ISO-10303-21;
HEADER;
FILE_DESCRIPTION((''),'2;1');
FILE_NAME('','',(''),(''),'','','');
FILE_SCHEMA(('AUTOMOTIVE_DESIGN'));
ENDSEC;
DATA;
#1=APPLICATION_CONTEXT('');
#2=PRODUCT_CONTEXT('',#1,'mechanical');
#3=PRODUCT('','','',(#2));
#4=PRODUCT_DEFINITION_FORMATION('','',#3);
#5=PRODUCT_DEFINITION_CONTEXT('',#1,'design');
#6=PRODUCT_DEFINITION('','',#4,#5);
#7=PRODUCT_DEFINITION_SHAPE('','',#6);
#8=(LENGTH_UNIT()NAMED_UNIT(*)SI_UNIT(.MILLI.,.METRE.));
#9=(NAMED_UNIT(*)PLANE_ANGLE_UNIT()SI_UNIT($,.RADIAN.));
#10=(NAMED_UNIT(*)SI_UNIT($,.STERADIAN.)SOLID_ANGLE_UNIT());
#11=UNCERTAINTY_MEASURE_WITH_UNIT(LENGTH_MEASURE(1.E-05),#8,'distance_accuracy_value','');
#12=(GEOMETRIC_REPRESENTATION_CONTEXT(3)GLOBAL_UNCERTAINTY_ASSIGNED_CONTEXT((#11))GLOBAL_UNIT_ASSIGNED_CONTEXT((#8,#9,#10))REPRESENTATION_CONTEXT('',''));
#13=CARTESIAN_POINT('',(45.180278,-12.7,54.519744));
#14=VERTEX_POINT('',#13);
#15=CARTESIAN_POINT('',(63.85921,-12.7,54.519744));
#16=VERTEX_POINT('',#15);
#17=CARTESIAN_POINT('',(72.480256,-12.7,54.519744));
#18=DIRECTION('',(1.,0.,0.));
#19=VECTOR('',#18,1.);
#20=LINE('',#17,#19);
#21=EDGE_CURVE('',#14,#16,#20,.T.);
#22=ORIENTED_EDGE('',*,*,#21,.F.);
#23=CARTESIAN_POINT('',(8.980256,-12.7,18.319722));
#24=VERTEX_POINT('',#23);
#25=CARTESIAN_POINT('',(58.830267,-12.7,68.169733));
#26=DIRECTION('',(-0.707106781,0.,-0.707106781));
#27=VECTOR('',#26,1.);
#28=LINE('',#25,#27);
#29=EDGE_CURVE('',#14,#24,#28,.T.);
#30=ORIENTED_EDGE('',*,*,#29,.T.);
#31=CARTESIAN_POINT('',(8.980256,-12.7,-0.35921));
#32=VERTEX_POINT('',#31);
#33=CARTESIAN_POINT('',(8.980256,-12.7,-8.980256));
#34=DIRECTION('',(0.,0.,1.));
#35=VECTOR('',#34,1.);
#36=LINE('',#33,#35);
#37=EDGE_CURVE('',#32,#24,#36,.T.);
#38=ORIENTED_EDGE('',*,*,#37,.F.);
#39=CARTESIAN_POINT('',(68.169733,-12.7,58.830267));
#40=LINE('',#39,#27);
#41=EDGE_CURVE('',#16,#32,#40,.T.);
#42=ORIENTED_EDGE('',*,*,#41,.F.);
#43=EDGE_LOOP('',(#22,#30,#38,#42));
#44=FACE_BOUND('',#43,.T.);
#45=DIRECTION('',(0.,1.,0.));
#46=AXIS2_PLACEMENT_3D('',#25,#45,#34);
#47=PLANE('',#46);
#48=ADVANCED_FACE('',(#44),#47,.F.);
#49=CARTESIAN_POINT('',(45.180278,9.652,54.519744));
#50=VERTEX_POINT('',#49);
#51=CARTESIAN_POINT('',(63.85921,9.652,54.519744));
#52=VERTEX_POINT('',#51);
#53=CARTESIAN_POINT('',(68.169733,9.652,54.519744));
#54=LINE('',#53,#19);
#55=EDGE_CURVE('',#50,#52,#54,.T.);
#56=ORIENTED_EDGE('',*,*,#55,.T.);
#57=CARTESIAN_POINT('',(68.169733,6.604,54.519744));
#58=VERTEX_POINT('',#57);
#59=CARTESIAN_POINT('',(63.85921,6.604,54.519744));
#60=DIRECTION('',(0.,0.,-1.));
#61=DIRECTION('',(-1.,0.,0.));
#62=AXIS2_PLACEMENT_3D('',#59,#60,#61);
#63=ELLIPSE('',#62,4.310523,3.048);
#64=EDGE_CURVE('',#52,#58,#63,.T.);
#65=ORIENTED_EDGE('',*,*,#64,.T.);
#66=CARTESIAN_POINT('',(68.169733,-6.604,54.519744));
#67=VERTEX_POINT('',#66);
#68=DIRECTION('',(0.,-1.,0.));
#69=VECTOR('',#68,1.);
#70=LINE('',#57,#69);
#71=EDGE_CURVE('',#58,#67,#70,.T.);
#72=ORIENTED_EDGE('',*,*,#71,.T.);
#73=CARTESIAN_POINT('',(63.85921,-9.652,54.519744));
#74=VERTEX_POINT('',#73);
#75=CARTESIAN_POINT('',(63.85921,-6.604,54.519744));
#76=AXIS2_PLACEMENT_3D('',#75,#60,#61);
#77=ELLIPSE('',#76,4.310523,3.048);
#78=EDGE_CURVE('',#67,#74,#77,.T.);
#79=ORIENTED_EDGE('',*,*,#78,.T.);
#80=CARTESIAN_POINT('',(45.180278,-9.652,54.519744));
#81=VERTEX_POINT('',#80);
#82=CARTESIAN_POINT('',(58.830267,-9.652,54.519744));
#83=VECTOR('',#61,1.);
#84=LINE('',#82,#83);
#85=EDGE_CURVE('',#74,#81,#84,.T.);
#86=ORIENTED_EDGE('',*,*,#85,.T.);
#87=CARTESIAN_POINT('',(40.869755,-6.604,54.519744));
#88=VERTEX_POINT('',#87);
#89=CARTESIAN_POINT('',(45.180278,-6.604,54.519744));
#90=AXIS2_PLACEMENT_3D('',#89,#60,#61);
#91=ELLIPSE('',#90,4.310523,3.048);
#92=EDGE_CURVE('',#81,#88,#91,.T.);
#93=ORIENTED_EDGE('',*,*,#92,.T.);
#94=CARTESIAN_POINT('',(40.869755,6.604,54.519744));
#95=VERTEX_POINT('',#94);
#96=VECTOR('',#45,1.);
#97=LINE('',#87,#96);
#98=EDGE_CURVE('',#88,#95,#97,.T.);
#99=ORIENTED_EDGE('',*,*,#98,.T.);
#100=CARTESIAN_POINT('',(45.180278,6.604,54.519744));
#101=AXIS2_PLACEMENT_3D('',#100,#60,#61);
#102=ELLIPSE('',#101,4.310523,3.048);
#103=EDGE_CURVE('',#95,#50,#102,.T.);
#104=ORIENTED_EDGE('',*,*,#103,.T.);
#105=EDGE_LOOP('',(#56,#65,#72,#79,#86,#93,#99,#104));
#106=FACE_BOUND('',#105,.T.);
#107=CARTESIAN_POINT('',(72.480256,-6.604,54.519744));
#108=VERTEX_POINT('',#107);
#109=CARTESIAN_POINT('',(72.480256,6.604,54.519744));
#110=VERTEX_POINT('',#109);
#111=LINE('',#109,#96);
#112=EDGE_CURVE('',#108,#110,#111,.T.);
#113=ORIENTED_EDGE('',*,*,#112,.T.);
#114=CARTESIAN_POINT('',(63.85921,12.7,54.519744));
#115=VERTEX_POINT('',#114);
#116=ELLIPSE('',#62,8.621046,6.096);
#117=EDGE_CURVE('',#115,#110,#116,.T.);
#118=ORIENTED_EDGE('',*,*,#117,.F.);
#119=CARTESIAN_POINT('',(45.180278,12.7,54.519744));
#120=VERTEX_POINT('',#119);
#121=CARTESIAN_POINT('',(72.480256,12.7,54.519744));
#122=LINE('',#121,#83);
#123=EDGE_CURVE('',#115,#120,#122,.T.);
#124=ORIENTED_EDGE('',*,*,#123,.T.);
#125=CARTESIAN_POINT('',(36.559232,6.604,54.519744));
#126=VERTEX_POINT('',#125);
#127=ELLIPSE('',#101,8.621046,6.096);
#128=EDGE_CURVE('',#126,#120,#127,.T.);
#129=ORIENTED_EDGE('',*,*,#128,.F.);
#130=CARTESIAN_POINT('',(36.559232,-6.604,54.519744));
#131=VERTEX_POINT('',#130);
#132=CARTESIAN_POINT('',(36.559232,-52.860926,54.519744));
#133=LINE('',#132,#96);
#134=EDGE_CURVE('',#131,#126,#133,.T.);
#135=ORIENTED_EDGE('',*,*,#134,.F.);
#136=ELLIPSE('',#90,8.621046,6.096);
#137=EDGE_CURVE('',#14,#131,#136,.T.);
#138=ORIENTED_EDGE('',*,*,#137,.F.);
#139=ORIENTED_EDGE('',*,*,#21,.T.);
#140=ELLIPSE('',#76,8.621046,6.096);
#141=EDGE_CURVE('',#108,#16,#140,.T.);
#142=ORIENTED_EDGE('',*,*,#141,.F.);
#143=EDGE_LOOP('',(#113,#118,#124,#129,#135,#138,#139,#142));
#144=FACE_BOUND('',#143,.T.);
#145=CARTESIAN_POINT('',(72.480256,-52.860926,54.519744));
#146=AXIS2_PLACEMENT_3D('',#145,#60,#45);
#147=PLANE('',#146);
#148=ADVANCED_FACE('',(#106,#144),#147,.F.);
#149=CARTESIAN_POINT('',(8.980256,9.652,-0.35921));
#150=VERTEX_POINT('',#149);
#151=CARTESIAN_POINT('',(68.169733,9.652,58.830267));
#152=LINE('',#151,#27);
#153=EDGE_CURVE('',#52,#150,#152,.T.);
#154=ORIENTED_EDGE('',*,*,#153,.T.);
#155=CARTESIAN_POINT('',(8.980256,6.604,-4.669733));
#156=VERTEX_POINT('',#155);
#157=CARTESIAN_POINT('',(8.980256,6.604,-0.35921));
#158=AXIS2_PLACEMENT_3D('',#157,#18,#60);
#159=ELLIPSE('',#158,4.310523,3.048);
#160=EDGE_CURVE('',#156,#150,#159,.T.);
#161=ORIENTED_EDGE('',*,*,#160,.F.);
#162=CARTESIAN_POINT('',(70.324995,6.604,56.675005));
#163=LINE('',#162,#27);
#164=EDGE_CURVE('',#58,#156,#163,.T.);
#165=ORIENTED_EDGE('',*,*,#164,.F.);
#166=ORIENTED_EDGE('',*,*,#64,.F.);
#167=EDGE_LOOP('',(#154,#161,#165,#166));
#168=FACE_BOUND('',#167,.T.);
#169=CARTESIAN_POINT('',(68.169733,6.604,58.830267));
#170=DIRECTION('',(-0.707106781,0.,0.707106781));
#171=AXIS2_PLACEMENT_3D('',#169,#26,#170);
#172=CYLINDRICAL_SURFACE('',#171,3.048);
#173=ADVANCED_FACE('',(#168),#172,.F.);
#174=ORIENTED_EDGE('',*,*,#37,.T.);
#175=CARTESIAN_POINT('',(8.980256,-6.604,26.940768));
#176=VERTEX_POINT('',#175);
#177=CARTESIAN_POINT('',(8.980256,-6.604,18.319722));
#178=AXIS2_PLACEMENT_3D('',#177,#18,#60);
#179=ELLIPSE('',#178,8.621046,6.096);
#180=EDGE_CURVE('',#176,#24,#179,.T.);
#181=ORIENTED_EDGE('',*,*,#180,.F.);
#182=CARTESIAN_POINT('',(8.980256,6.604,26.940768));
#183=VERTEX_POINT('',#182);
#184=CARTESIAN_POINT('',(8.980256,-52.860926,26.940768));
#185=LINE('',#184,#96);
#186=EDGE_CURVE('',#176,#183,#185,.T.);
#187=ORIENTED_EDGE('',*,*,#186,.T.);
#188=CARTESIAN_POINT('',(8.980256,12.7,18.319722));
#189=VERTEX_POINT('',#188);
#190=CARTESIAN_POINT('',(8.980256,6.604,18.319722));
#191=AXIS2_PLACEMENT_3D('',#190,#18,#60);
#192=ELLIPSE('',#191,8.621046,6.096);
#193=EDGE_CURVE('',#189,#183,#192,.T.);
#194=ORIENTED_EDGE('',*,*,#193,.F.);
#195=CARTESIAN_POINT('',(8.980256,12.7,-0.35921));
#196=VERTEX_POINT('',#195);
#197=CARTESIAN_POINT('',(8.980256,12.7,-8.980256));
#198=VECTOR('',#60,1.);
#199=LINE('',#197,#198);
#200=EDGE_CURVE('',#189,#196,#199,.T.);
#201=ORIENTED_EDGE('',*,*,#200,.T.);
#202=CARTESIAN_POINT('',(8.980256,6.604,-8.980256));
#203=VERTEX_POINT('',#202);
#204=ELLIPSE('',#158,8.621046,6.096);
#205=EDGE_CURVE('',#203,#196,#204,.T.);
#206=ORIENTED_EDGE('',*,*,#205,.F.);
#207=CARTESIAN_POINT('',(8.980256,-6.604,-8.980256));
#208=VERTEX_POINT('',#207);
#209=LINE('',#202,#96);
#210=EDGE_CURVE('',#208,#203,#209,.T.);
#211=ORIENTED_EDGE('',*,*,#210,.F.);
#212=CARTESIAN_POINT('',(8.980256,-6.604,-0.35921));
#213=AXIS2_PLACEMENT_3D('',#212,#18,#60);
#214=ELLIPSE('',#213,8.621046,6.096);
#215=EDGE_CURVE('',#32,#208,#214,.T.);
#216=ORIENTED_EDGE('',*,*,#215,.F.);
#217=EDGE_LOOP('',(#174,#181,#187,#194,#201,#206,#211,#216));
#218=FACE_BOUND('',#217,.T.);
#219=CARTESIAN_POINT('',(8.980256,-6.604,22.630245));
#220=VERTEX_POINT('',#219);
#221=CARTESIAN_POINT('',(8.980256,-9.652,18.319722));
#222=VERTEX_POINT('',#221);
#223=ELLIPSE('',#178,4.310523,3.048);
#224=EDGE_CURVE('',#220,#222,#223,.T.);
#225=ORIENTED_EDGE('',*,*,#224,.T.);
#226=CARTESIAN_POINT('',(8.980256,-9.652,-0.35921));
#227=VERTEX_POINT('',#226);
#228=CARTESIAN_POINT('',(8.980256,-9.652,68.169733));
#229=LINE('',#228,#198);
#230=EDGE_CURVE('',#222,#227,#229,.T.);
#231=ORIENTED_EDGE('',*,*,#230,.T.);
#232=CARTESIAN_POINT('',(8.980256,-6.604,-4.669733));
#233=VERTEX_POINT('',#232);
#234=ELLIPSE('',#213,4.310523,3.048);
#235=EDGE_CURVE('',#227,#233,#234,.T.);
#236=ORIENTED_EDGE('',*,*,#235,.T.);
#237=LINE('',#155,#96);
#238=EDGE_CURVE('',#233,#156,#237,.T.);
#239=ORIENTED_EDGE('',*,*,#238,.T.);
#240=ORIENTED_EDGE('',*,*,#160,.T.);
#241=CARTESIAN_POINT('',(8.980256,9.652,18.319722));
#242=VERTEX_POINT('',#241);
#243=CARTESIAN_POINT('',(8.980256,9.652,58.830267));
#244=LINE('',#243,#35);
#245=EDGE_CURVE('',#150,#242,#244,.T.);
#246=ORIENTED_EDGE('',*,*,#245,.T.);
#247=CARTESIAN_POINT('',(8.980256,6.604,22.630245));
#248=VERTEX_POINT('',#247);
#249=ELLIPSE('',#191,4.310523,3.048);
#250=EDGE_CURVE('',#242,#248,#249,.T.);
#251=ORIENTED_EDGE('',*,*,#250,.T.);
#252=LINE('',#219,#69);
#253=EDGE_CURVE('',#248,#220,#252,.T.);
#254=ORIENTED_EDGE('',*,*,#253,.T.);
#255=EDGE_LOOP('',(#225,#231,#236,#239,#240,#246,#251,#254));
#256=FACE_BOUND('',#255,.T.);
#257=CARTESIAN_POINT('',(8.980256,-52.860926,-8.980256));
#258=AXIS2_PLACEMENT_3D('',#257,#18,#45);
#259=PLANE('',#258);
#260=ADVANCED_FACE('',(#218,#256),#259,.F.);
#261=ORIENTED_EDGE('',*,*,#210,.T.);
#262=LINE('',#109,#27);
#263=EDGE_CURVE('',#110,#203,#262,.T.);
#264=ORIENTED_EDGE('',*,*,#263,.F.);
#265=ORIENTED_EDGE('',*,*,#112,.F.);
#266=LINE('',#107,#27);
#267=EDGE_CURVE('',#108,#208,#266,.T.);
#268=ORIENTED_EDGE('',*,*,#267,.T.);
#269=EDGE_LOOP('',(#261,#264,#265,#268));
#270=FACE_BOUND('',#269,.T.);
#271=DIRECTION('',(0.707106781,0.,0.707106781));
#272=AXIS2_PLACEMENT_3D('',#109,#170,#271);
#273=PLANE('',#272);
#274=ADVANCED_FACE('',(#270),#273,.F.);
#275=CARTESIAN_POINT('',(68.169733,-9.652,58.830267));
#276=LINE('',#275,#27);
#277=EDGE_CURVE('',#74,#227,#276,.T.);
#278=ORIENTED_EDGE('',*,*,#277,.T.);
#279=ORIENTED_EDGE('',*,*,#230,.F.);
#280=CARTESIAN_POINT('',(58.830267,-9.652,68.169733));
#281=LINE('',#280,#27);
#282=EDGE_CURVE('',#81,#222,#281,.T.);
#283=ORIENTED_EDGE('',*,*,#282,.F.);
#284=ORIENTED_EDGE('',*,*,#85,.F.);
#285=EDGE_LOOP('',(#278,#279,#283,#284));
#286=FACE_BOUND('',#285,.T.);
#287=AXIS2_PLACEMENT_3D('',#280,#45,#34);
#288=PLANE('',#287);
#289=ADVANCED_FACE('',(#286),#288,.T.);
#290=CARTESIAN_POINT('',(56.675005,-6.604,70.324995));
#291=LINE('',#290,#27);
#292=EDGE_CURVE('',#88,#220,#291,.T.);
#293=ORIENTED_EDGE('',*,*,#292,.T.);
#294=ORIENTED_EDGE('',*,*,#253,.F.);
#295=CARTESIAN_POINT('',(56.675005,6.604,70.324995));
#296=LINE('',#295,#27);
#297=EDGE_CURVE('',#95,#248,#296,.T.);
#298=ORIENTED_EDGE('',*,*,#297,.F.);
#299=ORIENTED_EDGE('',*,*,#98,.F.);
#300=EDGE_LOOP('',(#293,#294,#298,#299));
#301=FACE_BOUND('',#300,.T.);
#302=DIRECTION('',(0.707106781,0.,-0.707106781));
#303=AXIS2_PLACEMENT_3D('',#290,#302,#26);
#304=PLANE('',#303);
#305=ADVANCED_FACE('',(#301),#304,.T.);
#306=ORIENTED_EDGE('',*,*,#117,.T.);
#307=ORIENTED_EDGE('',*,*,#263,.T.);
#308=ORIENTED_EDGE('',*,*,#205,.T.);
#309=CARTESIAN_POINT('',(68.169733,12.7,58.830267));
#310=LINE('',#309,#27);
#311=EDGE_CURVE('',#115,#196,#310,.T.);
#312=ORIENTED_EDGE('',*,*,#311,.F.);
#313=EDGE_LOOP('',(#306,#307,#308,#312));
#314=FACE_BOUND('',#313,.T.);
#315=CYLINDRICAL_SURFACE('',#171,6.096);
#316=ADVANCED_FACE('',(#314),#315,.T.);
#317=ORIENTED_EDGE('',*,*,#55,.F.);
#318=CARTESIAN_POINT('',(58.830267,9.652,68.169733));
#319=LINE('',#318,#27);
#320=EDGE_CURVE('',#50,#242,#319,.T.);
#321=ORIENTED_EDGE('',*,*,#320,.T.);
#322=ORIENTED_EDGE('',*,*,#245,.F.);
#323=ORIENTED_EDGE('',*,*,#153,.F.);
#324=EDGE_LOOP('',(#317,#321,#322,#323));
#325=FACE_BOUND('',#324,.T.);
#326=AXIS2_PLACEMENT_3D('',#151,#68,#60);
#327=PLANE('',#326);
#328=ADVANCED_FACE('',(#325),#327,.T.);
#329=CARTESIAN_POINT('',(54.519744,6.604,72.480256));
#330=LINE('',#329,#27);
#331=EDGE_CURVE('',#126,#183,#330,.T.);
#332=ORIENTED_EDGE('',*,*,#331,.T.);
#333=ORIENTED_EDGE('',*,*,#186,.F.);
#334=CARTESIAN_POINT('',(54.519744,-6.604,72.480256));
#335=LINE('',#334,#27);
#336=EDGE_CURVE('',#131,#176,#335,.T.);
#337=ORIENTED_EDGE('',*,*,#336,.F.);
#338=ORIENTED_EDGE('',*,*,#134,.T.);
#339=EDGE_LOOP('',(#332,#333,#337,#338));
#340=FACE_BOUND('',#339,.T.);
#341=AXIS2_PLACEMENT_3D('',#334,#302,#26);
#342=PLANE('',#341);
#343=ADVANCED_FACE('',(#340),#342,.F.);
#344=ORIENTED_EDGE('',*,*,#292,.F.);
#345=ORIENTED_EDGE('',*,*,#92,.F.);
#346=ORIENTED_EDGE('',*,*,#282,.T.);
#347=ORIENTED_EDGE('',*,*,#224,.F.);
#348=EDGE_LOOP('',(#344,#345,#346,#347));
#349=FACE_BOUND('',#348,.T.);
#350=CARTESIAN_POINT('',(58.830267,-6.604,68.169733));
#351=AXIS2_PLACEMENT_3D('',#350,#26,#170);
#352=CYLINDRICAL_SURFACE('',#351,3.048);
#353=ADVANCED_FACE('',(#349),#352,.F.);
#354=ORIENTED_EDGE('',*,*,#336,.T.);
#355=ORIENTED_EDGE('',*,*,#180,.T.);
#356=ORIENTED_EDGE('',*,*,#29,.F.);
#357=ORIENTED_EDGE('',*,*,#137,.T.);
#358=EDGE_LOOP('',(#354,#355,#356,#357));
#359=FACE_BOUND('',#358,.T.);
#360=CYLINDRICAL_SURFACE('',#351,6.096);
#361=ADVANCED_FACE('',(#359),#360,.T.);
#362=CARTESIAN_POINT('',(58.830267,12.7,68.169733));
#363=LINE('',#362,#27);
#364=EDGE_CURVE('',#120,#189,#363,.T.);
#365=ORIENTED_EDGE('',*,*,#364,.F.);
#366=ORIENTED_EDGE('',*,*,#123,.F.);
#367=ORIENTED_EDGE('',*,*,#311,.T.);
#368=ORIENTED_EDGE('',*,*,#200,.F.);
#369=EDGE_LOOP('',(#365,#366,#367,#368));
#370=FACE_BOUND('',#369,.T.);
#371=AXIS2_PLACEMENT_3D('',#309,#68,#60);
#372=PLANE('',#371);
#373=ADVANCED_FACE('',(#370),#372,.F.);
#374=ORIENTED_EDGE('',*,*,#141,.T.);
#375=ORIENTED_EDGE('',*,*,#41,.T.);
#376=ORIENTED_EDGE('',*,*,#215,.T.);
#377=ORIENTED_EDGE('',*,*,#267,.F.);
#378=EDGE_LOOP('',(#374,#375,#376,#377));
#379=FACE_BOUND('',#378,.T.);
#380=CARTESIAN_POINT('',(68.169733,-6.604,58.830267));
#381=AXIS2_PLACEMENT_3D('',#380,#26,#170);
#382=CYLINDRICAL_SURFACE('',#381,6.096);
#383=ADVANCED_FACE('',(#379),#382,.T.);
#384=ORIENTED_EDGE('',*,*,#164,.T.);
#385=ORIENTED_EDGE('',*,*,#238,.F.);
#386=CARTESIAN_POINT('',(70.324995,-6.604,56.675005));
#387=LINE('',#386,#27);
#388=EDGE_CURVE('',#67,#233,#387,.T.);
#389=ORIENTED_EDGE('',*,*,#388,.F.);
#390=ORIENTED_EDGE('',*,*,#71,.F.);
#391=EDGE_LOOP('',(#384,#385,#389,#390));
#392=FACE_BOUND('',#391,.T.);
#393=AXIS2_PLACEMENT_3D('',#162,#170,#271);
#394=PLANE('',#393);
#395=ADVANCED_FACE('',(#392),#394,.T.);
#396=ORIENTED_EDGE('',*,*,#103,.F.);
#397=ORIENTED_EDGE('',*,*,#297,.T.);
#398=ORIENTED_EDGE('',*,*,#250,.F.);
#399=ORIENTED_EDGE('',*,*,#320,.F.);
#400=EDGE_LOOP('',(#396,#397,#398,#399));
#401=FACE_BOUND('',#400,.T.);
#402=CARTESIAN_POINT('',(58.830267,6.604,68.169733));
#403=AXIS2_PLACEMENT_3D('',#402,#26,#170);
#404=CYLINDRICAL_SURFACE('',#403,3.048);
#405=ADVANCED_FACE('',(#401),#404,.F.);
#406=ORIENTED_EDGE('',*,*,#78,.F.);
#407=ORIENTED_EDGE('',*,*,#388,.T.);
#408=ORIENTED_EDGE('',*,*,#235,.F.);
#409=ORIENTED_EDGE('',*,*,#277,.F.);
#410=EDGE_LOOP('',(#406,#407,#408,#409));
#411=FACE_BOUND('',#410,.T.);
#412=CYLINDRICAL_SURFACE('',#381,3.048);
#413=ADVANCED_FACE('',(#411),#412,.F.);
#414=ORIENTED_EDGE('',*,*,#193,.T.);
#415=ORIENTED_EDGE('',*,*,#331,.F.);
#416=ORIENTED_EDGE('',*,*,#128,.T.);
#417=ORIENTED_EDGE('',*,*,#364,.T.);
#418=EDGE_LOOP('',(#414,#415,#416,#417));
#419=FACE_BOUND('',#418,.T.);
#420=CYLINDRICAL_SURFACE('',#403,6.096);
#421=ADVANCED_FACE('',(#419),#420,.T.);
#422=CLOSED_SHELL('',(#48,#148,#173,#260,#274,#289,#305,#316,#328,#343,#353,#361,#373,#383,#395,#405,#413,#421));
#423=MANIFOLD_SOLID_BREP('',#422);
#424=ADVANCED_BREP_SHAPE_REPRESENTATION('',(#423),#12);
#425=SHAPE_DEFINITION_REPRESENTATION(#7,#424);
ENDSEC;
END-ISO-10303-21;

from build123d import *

# Parameters (mm, degrees)
SQ_RECT_TUBING_WELDMENT_PROFILES_SQ_TUBE_DEPTH = 89.802561211
CUT_EXTRUDE1_REACH                             = 107.603


with BuildPart() as part:
    # Sketch121 → Sq_rect_tubing_weldment_profiles SQ TUBE 1 X 1 X .120 WALL(1) (new body)
    with BuildSketch(Plane(origin=(0, 0, 0), x_dir=(0.7071067811865487, 8.862608652922434e-13, -0.7071067811865464), z_dir=(0.7071067811865464, -2.139623000789053e-12, 0.7071067811865487))):
        with BuildLine():
            Line((-6.604, -12.7), (6.604, -12.7))
            ThreePointArc((6.604, -12.7), (10.914522938, -10.914522938), (12.7, -6.604))
            Line((12.7, -6.604), (12.7, 6.604))
            ThreePointArc((12.7, 6.604), (10.914522938, 10.914522938), (6.604, 12.7))
            Line((6.604, 12.7), (-6.604, 12.7))
            ThreePointArc((-6.604, 12.7), (-10.914522938, 10.914522938), (-12.7, 6.604))
            Line((-12.7, 6.604), (-12.7, -6.604))
            ThreePointArc((-12.7, -6.604), (-10.914522938, -10.914522938), (-6.604, -12.7))
        make_face()
        with BuildLine():
            Line((-6.604, -9.652), (6.604, -9.652))
            ThreePointArc((6.604, -9.652), (8.759261469, -8.759261469), (9.652, -6.604))
            Line((9.652, -6.604), (9.652, 6.604))
            ThreePointArc((9.652, 6.604), (8.759261469, 8.759261469), (6.604, 9.652))
            Line((6.604, 9.652), (-6.604, 9.652))
            ThreePointArc((-6.604, 9.652), (-8.759261469, 8.759261469), (-9.652, 6.604))
            Line((-9.652, 6.604), (-9.652, -6.604))
            ThreePointArc((-9.652, -6.604), (-8.759261469, -8.759261469), (-6.604, -9.652))
        make_face(mode=Mode.SUBTRACT)
    extrude(amount=SQ_RECT_TUBING_WELDMENT_PROFILES_SQ_TUBE_DEPTH)

    # Cut-Extrude1: up to this face of the body (flat: up to its plane)
    cut_extrude1_end = Plane(part.part.faces().sort_by_distance((31.75, -12.7, 31.75))[0])
    # Sketch122 → Cut-Extrude1 (cut, up to the picked face)
    with BuildSketch(Plane(origin=(0, 12.7, 0), x_dir=(1, 0, 0), z_dir=(8.861583310299792e-13, 1.0, 2.139725535051317e-12)), mode=Mode.PRIVATE) as cut_extrude1_sk1:
        Polygon((8.980256121, 8.980256121), (8.980256121, -26.940768363), (-8.980256121, -8.980256121), align=None)
    cut_extrude1_tool1 = split(extrude(cut_extrude1_sk1.sketch, amount=-CUT_EXTRUDE1_REACH, mode=Mode.PRIVATE), bisect_by=cut_extrude1_end, keep=Keep.BOTH, mode=Mode.PRIVATE)
    # Sketch122 → Cut-Extrude1 (cut, up to the picked face)
    with BuildSketch(Plane(origin=(0, 12.7, 0), x_dir=(1, 0, 0), z_dir=(8.861583310299792e-13, 1.0, 2.139725535051317e-12)), mode=Mode.PRIVATE) as cut_extrude1_sk2:
        Polygon((72.480256121, -54.519743879), (36.559231637, -54.519743879), (54.519743879, -72.480256121), align=None)
    cut_extrude1_tool2 = split(extrude(cut_extrude1_sk2.sketch, amount=-CUT_EXTRUDE1_REACH, mode=Mode.PRIVATE), bisect_by=cut_extrude1_end, keep=Keep.BOTH, mode=Mode.PRIVATE)
    add(cut_extrude1_tool1.solids().sort_by(Axis((2.993419, 12.7, 8.980256), (-8.861583310299792e-13, -1.0, -2.139725535051317e-12)))[0], mode=Mode.SUBTRACT)
    add(cut_extrude1_tool2.solids().sort_by(Axis((54.519744, 12.7, 60.506581), (-8.861583310299792e-13, -1.0, -2.139725535051317e-12)))[0], mode=Mode.SUBTRACT)


solid = part.part
